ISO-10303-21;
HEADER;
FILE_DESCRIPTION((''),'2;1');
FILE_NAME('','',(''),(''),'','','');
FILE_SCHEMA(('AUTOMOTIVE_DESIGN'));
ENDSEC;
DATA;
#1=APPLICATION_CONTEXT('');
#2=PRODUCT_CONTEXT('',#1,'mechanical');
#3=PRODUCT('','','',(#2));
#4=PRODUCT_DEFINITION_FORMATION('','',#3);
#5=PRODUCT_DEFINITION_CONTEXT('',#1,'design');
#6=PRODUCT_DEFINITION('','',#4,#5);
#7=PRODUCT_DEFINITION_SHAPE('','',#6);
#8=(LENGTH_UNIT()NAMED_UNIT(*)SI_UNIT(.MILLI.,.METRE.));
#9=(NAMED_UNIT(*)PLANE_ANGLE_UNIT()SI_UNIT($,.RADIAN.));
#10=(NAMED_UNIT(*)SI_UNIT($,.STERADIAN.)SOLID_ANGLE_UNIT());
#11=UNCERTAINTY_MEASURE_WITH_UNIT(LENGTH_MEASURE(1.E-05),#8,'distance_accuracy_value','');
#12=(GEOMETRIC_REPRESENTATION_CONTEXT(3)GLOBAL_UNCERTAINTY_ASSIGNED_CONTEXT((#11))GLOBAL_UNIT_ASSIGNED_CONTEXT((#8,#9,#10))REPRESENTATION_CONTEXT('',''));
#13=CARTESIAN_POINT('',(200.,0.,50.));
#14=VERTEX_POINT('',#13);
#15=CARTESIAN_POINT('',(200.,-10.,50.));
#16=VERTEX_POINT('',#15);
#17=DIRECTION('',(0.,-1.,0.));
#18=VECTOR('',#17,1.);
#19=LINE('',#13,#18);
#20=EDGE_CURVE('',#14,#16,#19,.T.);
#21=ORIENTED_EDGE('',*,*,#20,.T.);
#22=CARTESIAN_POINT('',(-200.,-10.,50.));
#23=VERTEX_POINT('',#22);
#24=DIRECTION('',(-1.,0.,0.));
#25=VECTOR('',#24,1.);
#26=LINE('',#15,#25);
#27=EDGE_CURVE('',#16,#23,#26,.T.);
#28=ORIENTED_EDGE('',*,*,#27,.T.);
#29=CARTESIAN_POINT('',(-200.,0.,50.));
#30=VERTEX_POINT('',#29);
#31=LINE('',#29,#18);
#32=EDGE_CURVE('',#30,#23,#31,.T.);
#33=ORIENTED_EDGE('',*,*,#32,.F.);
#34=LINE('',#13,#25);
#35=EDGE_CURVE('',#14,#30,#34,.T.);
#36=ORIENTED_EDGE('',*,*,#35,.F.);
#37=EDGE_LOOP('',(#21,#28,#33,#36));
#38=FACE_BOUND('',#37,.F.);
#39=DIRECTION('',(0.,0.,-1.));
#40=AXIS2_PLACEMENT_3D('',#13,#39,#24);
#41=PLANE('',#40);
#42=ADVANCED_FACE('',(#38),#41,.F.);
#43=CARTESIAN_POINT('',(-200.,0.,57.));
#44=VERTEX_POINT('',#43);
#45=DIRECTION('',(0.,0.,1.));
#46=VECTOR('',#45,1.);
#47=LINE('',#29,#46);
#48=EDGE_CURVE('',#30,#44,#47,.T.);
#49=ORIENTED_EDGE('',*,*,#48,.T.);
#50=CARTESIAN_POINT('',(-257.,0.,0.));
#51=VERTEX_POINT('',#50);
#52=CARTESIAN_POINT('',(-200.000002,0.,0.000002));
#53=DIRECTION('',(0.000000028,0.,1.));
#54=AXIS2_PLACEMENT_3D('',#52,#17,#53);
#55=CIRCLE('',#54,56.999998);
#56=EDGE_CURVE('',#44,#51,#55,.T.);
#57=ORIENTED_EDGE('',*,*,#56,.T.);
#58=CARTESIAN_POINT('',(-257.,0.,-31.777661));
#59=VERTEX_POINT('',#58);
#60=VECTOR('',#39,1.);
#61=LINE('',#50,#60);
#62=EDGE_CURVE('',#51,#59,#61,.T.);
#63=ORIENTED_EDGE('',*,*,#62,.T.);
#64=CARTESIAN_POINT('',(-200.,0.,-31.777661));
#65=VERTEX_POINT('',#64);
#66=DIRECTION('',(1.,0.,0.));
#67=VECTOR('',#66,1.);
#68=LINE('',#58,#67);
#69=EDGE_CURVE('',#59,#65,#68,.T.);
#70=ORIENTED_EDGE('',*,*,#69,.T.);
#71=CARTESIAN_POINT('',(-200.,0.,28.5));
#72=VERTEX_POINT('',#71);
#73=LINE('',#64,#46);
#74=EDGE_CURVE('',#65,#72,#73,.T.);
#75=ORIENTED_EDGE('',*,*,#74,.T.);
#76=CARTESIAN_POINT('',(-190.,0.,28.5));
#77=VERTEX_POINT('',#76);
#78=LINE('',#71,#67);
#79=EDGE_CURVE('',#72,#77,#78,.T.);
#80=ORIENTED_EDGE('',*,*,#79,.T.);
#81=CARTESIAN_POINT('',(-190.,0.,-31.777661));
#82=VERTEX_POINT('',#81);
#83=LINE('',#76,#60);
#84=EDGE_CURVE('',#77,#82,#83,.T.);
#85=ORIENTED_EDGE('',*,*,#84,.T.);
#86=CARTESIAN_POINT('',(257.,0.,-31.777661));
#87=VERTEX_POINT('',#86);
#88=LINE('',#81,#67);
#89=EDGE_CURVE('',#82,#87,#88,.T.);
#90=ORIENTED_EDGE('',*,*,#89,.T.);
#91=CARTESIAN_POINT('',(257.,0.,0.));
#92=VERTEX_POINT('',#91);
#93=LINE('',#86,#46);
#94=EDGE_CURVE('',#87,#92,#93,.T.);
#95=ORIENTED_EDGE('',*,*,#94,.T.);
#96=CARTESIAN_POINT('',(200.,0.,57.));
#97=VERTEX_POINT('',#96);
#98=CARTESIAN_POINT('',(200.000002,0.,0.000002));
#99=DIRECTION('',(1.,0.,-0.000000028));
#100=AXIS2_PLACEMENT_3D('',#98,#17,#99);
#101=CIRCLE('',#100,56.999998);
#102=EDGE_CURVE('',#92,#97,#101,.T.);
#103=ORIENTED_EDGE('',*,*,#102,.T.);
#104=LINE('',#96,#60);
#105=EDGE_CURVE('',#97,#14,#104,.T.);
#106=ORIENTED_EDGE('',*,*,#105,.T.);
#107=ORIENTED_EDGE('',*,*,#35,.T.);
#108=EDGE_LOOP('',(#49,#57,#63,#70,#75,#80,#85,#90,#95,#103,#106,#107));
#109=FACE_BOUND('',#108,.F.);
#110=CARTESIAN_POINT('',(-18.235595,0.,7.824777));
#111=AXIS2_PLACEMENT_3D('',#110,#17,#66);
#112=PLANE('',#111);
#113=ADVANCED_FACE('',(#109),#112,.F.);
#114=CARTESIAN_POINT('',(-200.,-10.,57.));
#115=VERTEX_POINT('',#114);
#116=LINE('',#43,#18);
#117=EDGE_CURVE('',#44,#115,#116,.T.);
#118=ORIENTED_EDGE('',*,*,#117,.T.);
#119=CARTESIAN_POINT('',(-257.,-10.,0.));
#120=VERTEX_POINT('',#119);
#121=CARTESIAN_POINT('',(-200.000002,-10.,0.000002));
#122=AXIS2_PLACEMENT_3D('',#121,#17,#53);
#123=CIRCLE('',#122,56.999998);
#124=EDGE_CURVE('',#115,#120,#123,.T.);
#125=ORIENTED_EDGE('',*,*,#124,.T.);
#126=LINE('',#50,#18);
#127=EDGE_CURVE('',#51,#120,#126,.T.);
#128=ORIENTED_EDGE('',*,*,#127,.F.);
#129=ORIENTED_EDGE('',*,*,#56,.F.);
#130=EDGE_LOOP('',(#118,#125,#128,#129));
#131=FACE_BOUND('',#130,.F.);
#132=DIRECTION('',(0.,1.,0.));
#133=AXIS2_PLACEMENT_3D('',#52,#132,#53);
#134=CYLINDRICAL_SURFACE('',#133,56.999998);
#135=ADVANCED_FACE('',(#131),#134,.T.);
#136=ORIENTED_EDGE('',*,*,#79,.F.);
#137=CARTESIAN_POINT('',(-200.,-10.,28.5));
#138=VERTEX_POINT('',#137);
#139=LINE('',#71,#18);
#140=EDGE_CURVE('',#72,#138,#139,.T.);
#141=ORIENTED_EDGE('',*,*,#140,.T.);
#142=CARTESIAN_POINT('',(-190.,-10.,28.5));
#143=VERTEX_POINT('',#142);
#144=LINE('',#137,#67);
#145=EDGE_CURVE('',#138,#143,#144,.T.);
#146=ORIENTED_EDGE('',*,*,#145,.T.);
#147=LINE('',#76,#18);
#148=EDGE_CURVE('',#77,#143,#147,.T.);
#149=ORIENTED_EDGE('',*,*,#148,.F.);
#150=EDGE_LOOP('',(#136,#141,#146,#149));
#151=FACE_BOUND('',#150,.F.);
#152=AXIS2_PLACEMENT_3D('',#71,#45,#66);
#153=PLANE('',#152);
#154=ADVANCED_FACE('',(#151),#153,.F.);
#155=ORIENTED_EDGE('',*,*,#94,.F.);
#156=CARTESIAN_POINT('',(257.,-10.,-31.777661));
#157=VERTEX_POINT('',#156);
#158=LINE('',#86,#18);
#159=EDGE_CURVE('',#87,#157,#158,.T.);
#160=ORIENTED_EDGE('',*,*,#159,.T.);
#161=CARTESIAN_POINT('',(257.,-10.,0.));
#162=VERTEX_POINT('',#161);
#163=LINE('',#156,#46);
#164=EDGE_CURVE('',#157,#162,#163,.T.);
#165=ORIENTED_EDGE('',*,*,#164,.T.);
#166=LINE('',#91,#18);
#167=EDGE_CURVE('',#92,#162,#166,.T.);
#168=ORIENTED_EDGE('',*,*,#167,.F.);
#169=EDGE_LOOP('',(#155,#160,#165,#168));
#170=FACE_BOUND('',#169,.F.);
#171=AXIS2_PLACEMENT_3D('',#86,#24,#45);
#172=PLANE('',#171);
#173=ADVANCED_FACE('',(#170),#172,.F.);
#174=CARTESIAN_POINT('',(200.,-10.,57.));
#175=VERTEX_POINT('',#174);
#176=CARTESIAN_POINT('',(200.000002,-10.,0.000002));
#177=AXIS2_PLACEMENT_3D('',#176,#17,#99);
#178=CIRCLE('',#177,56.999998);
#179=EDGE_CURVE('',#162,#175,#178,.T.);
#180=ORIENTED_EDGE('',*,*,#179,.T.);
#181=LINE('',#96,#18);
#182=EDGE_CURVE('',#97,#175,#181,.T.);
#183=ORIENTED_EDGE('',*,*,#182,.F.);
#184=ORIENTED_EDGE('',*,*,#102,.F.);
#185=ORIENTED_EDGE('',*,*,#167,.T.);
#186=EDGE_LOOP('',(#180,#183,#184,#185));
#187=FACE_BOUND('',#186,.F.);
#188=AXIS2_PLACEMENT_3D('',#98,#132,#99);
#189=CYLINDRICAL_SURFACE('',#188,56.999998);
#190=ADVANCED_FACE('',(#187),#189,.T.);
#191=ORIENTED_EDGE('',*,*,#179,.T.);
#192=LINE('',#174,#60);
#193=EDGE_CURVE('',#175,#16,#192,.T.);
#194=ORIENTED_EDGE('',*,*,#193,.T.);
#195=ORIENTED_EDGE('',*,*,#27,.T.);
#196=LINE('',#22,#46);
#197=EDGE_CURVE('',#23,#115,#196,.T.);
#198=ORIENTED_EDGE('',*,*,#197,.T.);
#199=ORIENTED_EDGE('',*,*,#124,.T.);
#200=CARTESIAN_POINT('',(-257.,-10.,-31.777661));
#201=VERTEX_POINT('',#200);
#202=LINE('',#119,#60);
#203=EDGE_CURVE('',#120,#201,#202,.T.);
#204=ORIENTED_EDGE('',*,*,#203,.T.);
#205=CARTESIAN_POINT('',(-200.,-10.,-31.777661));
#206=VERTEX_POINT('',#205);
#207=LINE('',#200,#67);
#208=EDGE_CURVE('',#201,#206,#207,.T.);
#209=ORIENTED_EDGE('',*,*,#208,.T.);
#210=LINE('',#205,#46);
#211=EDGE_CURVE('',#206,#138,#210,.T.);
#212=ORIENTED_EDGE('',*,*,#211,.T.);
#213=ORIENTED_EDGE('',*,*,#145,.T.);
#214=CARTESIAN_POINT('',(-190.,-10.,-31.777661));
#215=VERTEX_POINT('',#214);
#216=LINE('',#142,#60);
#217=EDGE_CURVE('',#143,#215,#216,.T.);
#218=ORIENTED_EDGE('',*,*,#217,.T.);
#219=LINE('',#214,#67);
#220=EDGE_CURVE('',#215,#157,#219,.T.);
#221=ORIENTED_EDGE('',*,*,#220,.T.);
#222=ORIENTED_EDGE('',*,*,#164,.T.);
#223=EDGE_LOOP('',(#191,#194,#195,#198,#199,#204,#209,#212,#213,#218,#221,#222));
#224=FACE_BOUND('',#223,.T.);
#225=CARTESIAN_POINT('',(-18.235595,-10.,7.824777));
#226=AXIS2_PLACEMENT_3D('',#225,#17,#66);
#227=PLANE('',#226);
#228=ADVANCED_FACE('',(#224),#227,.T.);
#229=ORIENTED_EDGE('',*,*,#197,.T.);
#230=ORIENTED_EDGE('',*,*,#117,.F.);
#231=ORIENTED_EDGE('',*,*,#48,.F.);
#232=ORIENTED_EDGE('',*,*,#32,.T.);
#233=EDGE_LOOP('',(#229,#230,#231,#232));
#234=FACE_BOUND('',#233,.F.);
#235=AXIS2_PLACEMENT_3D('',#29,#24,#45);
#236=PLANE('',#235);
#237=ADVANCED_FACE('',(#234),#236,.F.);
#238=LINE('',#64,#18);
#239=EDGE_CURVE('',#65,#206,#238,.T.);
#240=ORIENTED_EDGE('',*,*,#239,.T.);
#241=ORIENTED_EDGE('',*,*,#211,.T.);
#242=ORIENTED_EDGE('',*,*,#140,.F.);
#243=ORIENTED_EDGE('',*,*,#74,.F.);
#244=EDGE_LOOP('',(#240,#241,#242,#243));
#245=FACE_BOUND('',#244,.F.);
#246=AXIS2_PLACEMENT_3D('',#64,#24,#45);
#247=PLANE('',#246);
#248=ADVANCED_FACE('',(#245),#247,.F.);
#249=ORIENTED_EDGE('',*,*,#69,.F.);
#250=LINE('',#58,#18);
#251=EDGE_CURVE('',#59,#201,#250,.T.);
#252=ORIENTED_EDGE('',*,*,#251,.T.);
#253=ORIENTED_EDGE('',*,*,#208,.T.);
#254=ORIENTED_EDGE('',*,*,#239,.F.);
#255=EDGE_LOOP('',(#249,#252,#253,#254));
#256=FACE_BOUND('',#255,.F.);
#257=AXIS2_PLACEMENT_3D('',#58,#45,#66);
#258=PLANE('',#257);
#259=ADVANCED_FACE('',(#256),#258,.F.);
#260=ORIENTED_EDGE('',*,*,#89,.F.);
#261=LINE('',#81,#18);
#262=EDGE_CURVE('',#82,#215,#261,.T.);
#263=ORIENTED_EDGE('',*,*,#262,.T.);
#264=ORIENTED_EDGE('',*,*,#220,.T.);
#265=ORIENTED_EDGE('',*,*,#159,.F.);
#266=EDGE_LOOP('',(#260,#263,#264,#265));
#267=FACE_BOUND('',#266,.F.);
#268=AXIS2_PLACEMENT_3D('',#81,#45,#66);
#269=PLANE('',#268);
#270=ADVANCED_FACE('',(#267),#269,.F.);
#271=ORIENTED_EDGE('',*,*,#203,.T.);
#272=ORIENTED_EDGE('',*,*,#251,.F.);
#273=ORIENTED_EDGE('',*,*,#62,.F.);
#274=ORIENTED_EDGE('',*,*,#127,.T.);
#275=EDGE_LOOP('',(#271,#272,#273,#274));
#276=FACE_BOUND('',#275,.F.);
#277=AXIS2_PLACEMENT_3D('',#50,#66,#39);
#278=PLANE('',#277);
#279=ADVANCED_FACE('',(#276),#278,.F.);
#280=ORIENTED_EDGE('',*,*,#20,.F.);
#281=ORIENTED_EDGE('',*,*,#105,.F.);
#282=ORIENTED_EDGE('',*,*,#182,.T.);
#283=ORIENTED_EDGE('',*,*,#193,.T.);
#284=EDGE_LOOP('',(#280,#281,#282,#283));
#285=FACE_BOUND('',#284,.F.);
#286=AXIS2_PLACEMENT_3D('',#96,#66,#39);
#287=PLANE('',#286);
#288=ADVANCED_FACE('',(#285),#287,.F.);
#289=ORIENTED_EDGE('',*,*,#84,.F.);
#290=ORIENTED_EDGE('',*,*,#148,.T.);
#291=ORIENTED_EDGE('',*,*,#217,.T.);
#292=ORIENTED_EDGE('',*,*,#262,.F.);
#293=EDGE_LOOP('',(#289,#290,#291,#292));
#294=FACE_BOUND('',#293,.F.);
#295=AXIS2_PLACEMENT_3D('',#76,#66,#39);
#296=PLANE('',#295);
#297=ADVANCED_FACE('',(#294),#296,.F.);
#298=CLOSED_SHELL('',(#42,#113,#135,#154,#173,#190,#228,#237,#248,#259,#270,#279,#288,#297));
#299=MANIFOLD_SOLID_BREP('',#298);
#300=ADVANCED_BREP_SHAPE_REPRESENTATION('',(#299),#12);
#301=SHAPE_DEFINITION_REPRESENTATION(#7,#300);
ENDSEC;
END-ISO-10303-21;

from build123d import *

# Parameters (mm, degrees)
F1_DEPTH = 10


with BuildPart() as f1:
    # F0 (on Front) → F1 (new body)
    with BuildSketch(Plane.XZ):
        with BuildLine():
            Line((-200, 50), (-200, 57))
            ThreePointArc((-200, 57), (-240.305087, 40.305087), (-257, 0))
            Line((-257, 0), (-257, -31.777661))
            Line((-257, -31.777661), (-200, -31.777661))
            Line((-200, -31.777661), (-200, 0))
            Line((-200, 0), (-200, 28.5))
            Line((-200, 28.5), (-190, 28.5))
            Line((-190, 28.5), (-190, 0))
            Line((-190, 0), (-190, -31.777661))
            Line((-190, -31.777661), (190, -31.777661))
            Line((190, -31.777661), (200, -31.777661))
            Line((200, -31.777661), (257, -31.777661))
            Line((257, -31.777661), (257, 0))
            ThreePointArc((257, 0), (240.305087, 40.305087), (200, 57))
            Line((200, 57), (200, 50))
            Line((200, 50), (-200, 50))
        make_face()
    extrude(amount=F1_DEPTH)


solid = f1.part
